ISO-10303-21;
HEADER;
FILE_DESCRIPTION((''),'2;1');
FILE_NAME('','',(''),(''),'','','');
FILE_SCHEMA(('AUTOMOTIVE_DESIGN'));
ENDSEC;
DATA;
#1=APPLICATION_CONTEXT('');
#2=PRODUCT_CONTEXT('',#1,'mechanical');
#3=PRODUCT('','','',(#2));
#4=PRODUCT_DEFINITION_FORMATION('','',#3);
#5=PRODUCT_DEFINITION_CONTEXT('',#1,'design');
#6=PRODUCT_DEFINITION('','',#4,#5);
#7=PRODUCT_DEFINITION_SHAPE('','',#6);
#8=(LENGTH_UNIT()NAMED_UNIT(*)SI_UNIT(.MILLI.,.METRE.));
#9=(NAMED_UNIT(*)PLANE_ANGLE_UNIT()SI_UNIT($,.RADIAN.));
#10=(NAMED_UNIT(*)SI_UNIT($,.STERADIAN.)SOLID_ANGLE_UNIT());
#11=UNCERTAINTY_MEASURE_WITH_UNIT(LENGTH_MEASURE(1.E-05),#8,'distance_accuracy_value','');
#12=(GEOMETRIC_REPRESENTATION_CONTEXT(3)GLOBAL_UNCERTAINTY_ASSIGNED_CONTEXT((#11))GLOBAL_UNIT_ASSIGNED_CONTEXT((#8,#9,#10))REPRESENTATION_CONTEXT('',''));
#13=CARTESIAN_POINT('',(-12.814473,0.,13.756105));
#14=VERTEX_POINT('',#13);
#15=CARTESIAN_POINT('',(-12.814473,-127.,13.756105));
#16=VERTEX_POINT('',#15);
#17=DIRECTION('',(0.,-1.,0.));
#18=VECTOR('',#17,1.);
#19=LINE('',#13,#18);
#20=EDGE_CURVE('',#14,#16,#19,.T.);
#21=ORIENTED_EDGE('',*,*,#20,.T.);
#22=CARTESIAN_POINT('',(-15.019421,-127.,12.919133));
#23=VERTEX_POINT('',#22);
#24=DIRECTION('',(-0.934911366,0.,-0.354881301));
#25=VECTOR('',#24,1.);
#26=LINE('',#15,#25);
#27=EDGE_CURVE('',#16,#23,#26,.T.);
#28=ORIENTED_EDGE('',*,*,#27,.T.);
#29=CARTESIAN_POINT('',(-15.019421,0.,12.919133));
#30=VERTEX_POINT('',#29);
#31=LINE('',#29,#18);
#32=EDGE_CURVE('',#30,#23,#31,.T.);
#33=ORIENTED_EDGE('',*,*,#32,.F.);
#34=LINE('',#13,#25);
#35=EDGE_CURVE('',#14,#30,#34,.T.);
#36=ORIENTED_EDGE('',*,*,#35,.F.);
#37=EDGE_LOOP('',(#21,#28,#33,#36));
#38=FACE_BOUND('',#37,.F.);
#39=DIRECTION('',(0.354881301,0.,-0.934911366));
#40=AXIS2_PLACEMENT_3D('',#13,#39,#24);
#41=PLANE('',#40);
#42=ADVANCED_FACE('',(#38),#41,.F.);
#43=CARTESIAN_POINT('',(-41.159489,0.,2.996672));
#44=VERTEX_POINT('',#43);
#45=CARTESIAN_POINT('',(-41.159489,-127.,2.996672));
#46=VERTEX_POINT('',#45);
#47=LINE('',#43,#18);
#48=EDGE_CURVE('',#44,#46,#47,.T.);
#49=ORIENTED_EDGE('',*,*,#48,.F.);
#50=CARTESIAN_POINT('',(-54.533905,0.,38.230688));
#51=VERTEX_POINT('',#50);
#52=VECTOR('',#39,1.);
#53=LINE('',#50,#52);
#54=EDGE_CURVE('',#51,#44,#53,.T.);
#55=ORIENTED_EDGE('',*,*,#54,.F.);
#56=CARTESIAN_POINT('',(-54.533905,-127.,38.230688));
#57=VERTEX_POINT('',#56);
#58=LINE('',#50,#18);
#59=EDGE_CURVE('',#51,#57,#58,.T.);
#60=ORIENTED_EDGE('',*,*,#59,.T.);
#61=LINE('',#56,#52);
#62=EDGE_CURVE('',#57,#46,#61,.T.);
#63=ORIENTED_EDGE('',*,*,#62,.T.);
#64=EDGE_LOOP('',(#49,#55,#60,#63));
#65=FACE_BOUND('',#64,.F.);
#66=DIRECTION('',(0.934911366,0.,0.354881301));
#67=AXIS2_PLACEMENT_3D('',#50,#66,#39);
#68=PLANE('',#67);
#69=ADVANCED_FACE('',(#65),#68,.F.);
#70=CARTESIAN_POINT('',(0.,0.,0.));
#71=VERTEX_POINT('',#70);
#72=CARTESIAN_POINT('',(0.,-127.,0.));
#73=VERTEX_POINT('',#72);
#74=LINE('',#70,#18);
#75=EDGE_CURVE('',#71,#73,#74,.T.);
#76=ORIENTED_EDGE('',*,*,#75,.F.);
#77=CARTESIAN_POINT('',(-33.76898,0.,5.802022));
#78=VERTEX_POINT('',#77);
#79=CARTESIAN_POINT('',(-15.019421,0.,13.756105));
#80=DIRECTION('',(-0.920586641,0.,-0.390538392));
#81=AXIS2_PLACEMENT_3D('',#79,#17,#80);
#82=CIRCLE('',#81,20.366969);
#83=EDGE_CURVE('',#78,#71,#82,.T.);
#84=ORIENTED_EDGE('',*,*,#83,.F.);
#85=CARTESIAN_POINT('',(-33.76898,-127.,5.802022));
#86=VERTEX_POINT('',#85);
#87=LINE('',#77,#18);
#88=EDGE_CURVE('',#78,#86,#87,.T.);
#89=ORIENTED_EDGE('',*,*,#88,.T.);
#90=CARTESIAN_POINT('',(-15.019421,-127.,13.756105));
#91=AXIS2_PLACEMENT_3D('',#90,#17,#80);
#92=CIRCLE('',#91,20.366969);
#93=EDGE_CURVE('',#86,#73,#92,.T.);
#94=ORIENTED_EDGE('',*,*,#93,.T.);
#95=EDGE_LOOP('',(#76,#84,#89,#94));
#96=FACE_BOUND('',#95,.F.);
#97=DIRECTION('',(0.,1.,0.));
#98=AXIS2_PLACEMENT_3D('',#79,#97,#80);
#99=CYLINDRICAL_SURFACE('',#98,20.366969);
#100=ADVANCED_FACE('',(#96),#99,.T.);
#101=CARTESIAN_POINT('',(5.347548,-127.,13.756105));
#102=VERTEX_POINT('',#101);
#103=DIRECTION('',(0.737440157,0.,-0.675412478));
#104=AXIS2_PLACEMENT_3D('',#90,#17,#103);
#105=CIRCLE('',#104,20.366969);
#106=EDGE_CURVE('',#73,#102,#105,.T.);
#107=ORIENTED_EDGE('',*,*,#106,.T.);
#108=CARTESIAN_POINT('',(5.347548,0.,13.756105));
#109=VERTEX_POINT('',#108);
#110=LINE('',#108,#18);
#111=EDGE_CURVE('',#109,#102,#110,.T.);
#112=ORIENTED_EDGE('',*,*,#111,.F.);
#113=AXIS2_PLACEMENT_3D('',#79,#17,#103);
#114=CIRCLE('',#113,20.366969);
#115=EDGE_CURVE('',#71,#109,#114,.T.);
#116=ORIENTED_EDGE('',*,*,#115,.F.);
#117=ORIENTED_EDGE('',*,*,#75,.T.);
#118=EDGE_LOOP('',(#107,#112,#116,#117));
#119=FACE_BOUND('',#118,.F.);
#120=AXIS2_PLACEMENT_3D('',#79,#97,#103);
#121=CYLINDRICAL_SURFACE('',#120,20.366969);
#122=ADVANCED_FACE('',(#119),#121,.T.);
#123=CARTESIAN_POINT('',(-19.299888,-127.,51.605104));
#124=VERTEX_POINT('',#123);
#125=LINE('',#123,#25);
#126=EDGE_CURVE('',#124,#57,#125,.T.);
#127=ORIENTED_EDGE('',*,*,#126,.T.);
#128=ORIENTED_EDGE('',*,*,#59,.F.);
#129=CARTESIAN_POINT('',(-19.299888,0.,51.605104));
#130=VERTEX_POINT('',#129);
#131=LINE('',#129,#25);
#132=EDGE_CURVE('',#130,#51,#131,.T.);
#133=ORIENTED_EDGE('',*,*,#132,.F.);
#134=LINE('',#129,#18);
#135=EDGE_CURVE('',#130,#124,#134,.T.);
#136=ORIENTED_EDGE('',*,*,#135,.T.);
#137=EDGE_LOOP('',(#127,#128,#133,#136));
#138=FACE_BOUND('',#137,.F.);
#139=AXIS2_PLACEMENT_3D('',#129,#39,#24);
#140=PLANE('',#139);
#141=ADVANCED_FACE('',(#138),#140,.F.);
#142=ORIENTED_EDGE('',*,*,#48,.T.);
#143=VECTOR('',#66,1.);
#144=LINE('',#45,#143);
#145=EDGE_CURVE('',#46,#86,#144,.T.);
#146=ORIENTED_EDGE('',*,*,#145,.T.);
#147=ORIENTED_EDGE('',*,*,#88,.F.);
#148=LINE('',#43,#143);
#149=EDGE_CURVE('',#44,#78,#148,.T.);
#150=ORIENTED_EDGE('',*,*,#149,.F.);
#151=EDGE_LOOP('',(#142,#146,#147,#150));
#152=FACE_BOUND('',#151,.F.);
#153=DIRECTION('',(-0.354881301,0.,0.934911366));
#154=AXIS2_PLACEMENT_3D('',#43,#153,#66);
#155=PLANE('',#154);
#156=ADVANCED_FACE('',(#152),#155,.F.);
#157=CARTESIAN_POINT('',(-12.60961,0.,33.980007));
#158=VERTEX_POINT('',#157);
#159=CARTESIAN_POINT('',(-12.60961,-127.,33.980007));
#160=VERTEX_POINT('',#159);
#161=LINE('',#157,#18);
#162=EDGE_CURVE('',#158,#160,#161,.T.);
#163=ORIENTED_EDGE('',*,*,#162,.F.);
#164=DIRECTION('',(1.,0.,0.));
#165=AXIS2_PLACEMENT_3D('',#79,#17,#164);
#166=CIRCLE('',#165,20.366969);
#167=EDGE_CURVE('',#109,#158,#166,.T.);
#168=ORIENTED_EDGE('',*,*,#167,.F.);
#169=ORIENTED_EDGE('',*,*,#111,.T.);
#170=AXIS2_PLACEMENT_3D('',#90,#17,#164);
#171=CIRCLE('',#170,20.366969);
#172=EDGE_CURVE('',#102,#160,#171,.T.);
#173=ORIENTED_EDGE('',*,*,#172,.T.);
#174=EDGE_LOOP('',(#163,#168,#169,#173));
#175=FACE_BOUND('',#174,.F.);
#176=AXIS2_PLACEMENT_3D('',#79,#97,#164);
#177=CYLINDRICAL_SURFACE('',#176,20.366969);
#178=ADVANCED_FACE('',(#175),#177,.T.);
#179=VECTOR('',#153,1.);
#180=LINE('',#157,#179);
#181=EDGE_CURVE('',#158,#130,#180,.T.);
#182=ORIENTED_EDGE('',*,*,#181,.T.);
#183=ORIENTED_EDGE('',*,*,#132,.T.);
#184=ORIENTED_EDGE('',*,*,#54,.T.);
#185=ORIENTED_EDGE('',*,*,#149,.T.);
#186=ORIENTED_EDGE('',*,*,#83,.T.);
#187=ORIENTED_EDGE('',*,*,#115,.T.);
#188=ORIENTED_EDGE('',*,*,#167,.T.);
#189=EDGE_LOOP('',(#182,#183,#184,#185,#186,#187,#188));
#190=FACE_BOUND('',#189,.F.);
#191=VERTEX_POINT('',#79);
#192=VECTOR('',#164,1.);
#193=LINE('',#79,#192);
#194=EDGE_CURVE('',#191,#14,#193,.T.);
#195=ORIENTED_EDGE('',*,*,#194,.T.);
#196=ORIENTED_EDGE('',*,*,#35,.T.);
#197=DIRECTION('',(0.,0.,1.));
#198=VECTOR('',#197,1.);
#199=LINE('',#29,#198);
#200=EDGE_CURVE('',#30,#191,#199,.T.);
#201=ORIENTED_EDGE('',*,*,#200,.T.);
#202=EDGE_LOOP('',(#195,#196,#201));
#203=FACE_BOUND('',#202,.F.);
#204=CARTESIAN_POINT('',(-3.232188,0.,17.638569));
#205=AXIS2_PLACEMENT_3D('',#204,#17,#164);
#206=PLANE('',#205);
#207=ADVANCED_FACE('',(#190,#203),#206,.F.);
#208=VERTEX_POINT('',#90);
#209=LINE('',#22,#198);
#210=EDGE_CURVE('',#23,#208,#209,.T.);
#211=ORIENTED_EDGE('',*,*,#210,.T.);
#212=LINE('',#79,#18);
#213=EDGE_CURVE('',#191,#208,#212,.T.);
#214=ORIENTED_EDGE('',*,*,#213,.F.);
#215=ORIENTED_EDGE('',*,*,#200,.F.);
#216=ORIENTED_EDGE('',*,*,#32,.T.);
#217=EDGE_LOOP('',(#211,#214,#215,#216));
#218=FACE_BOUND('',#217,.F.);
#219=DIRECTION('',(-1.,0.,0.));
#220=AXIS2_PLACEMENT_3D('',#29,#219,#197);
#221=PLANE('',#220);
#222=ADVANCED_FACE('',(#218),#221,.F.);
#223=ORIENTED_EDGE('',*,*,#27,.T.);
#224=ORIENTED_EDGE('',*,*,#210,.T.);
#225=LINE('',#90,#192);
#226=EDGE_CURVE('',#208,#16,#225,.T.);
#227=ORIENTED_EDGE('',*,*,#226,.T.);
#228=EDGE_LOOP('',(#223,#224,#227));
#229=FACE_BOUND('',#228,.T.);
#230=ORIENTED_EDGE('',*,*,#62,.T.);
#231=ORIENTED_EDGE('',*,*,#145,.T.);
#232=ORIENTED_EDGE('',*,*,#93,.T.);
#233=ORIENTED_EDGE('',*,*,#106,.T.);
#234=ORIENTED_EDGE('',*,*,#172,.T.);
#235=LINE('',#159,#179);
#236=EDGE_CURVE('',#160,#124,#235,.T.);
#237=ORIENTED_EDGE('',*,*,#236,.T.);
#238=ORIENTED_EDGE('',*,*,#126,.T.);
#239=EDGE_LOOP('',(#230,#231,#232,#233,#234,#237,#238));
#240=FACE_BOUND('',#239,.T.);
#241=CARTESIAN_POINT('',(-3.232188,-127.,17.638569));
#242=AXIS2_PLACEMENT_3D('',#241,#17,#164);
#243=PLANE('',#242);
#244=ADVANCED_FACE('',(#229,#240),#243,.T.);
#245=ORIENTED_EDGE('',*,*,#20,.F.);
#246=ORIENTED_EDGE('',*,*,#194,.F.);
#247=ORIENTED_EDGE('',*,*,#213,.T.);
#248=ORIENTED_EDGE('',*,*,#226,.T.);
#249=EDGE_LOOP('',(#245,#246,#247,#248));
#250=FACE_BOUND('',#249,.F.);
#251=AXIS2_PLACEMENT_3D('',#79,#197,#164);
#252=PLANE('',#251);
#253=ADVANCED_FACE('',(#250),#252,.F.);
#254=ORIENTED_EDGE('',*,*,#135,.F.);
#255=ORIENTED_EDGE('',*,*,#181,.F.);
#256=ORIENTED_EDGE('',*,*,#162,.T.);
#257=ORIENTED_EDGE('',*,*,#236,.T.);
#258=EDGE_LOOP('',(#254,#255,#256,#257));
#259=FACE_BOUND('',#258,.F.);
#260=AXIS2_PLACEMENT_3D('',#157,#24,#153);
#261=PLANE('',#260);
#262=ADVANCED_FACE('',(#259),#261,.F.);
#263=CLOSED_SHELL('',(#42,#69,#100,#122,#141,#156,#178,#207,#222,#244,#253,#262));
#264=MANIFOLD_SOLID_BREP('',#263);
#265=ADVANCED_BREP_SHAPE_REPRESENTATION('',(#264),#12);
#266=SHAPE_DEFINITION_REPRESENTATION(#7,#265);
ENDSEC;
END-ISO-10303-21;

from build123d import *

# Parameters (mm, degrees)
F1_DEPTH = 127


with BuildPart() as f1:
    # F0 (on Front) → F1 (new body)
    with BuildSketch(Plane.XZ):
        with BuildLine():
            Line((0, 13.756104745), (0, 0))
            ThreePointArc((0, 0), (3.9636439933, 6.3766283352), (5.3475480899, 13.756104745))
            ThreePointArc((5.3475480899, 13.756104745), (0.2103849632, 27.2789164145), (-12.6096097791, 33.980007016))
            Line((-12.6096097791, 33.980007016), (-5.9254722465, 16.3710878105))
            Line((-5.9254722465, 16.3710878105), (-12.8144725551, 13.756104745))
            Line((-12.8144725551, 13.756104745), (0, 13.756104745))
        make_face()
        with BuildLine():
            ThreePointArc((-33.7689797724, 5.8020215594), (-18.4682387713, -6.3167391918), (0, 0))
            Line((0, 0), (-15.0194205344, 0))
            Line((-15.0194205344, 0), (-15.0194205344, 12.9191325621))
            Line((-15.0194205344, 12.9191325621), (-33.7689797724, 5.8020215594))
        make_face()
        Polygon((-15.0194205344, 0), (0, 0), (0, 13.756104745), (-12.8144725551, 13.756104745), (-15.0194205344, 12.9191325621), align=None)
        with BuildLine():
            Line((-41.1594888919, 2.9966716788), (-33.7689797724, 5.8020215594))
            ThreePointArc((-33.7689797724, 5.8020215594), (-31.3058124374, 25.9858573886), (-12.6096097791, 33.980007016))
            Line((-12.6096097791, 33.980007016), (-19.2998883782, 51.6051044558))
            Line((-19.2998883782, 51.6051044558), (-54.5339050235, 38.2306883241))
            Line((-54.5339050235, 38.2306883241), (-41.1594888919, 2.9966716788))
        make_face()
        with BuildLine():
            ThreePointArc((-12.6096097791, 33.980007016), (-31.3058124374, 25.9858573886), (-33.7689797724, 5.8020215594))
            Line((-33.7689797724, 5.8020215594), (-15.0194205344, 12.9191325621))
            Line((-15.0194205344, 12.9191325621), (-15.0194205344, 13.756104745))
            Line((-15.0194205344, 13.756104745), (-12.8144725551, 13.756104745))
            Line((-12.8144725551, 13.756104745), (-5.9254722465, 16.3710878105))
            Line((-5.9254722465, 16.3710878105), (-12.6096097791, 33.980007016))
        make_face()
    extrude(amount=F1_DEPTH)


solid = f1.part
